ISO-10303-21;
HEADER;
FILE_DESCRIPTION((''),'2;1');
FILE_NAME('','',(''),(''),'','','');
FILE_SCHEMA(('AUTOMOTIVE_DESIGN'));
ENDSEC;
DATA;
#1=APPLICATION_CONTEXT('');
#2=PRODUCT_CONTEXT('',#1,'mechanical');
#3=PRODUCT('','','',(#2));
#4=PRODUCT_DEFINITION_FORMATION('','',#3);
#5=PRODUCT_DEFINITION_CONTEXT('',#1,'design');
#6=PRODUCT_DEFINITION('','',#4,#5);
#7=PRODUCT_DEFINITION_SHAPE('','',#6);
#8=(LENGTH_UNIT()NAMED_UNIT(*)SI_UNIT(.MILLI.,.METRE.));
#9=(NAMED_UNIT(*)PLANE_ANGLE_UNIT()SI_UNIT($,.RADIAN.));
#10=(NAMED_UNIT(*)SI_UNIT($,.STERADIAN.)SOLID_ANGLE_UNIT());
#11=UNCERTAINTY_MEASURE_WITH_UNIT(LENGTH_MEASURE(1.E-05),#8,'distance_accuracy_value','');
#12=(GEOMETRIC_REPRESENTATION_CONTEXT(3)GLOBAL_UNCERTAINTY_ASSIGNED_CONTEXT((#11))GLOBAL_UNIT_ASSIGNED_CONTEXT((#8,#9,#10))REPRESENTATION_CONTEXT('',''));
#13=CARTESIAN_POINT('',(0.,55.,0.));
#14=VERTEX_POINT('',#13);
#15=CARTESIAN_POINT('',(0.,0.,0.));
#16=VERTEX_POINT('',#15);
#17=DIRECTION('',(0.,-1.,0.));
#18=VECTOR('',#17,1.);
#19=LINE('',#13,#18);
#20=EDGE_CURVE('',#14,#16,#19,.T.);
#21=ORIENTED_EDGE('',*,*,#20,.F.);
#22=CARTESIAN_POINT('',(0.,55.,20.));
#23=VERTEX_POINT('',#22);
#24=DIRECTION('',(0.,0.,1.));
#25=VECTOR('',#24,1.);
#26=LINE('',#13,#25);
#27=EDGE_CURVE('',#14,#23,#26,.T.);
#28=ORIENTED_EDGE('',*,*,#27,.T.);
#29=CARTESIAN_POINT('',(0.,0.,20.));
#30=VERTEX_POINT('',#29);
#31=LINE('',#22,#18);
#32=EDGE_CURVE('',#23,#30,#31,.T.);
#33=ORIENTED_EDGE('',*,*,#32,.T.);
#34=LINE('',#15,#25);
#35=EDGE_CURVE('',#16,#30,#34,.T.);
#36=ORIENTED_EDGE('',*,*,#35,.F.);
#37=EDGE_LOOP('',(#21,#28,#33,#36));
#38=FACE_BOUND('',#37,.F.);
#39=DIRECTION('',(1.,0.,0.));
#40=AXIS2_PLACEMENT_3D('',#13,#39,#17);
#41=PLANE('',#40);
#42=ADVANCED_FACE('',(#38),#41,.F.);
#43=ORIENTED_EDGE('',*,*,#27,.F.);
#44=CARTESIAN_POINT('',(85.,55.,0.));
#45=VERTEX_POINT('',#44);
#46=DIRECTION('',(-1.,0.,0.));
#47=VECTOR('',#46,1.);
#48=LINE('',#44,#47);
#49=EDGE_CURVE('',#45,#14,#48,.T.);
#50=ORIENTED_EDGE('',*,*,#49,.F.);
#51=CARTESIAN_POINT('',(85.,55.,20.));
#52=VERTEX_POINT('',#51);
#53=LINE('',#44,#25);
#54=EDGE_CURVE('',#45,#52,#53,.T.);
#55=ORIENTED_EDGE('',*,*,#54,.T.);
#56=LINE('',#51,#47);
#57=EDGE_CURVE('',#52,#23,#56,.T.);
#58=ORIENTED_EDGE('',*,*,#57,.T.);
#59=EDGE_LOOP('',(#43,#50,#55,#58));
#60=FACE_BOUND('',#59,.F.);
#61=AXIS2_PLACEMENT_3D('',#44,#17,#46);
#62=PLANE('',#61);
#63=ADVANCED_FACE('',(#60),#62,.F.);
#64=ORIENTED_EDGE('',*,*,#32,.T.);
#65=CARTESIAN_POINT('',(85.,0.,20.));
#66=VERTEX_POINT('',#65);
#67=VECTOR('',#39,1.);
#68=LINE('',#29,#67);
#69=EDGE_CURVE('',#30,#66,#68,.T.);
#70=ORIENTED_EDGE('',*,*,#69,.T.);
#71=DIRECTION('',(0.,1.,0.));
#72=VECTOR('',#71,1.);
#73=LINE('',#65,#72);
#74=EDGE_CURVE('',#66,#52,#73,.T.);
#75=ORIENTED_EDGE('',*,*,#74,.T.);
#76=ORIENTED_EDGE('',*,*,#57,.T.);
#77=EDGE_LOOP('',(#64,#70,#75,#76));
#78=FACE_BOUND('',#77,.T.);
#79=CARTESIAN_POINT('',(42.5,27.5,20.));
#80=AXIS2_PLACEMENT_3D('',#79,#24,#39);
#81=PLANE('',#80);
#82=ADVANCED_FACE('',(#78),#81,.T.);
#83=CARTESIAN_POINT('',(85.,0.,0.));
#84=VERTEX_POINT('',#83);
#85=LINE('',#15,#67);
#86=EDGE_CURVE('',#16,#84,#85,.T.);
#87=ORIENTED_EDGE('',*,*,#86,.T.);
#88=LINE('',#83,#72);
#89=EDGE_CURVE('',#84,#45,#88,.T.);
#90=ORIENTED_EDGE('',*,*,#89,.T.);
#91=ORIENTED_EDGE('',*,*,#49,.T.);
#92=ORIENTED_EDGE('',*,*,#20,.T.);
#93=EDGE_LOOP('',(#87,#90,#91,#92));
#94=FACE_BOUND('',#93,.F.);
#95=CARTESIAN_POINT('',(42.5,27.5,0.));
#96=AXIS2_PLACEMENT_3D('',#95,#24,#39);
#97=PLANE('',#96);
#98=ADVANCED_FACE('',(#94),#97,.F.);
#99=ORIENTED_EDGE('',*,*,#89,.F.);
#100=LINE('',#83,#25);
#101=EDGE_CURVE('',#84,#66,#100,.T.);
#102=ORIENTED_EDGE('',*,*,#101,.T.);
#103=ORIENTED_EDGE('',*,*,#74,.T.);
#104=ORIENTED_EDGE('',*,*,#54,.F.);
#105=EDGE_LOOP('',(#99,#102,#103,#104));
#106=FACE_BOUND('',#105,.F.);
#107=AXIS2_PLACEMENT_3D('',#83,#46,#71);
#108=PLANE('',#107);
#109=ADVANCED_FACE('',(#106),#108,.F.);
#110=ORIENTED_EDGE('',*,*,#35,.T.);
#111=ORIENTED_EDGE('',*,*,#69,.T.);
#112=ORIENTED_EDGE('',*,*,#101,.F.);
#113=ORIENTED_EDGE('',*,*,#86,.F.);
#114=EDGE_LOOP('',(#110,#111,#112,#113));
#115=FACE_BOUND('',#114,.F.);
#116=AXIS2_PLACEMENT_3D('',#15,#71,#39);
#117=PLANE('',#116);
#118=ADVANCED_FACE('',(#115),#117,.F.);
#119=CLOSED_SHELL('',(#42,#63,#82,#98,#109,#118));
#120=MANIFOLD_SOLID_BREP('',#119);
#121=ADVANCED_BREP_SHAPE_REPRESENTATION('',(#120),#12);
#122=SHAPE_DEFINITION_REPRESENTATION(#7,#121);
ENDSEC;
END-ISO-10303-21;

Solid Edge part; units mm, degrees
sketch "Sketch1" plane through (0, 0, 0) normal (0, 0, 1) x (1, 0, 0)
  line L0 (0, 0) -> (85, 0)
  line L1 (85, 0) -> (85, 55)
  line L2 (85, 55) -> (0, 55)
  line L3 (0, 55) -> (0, 0)
  dimension "D1" = 55
  dimension "D2" = 85
extrude "Ajout_matière_1" add sketch "Sketch1" along normal blind 20
properties material "Plastique ABS, performance moyenne"
